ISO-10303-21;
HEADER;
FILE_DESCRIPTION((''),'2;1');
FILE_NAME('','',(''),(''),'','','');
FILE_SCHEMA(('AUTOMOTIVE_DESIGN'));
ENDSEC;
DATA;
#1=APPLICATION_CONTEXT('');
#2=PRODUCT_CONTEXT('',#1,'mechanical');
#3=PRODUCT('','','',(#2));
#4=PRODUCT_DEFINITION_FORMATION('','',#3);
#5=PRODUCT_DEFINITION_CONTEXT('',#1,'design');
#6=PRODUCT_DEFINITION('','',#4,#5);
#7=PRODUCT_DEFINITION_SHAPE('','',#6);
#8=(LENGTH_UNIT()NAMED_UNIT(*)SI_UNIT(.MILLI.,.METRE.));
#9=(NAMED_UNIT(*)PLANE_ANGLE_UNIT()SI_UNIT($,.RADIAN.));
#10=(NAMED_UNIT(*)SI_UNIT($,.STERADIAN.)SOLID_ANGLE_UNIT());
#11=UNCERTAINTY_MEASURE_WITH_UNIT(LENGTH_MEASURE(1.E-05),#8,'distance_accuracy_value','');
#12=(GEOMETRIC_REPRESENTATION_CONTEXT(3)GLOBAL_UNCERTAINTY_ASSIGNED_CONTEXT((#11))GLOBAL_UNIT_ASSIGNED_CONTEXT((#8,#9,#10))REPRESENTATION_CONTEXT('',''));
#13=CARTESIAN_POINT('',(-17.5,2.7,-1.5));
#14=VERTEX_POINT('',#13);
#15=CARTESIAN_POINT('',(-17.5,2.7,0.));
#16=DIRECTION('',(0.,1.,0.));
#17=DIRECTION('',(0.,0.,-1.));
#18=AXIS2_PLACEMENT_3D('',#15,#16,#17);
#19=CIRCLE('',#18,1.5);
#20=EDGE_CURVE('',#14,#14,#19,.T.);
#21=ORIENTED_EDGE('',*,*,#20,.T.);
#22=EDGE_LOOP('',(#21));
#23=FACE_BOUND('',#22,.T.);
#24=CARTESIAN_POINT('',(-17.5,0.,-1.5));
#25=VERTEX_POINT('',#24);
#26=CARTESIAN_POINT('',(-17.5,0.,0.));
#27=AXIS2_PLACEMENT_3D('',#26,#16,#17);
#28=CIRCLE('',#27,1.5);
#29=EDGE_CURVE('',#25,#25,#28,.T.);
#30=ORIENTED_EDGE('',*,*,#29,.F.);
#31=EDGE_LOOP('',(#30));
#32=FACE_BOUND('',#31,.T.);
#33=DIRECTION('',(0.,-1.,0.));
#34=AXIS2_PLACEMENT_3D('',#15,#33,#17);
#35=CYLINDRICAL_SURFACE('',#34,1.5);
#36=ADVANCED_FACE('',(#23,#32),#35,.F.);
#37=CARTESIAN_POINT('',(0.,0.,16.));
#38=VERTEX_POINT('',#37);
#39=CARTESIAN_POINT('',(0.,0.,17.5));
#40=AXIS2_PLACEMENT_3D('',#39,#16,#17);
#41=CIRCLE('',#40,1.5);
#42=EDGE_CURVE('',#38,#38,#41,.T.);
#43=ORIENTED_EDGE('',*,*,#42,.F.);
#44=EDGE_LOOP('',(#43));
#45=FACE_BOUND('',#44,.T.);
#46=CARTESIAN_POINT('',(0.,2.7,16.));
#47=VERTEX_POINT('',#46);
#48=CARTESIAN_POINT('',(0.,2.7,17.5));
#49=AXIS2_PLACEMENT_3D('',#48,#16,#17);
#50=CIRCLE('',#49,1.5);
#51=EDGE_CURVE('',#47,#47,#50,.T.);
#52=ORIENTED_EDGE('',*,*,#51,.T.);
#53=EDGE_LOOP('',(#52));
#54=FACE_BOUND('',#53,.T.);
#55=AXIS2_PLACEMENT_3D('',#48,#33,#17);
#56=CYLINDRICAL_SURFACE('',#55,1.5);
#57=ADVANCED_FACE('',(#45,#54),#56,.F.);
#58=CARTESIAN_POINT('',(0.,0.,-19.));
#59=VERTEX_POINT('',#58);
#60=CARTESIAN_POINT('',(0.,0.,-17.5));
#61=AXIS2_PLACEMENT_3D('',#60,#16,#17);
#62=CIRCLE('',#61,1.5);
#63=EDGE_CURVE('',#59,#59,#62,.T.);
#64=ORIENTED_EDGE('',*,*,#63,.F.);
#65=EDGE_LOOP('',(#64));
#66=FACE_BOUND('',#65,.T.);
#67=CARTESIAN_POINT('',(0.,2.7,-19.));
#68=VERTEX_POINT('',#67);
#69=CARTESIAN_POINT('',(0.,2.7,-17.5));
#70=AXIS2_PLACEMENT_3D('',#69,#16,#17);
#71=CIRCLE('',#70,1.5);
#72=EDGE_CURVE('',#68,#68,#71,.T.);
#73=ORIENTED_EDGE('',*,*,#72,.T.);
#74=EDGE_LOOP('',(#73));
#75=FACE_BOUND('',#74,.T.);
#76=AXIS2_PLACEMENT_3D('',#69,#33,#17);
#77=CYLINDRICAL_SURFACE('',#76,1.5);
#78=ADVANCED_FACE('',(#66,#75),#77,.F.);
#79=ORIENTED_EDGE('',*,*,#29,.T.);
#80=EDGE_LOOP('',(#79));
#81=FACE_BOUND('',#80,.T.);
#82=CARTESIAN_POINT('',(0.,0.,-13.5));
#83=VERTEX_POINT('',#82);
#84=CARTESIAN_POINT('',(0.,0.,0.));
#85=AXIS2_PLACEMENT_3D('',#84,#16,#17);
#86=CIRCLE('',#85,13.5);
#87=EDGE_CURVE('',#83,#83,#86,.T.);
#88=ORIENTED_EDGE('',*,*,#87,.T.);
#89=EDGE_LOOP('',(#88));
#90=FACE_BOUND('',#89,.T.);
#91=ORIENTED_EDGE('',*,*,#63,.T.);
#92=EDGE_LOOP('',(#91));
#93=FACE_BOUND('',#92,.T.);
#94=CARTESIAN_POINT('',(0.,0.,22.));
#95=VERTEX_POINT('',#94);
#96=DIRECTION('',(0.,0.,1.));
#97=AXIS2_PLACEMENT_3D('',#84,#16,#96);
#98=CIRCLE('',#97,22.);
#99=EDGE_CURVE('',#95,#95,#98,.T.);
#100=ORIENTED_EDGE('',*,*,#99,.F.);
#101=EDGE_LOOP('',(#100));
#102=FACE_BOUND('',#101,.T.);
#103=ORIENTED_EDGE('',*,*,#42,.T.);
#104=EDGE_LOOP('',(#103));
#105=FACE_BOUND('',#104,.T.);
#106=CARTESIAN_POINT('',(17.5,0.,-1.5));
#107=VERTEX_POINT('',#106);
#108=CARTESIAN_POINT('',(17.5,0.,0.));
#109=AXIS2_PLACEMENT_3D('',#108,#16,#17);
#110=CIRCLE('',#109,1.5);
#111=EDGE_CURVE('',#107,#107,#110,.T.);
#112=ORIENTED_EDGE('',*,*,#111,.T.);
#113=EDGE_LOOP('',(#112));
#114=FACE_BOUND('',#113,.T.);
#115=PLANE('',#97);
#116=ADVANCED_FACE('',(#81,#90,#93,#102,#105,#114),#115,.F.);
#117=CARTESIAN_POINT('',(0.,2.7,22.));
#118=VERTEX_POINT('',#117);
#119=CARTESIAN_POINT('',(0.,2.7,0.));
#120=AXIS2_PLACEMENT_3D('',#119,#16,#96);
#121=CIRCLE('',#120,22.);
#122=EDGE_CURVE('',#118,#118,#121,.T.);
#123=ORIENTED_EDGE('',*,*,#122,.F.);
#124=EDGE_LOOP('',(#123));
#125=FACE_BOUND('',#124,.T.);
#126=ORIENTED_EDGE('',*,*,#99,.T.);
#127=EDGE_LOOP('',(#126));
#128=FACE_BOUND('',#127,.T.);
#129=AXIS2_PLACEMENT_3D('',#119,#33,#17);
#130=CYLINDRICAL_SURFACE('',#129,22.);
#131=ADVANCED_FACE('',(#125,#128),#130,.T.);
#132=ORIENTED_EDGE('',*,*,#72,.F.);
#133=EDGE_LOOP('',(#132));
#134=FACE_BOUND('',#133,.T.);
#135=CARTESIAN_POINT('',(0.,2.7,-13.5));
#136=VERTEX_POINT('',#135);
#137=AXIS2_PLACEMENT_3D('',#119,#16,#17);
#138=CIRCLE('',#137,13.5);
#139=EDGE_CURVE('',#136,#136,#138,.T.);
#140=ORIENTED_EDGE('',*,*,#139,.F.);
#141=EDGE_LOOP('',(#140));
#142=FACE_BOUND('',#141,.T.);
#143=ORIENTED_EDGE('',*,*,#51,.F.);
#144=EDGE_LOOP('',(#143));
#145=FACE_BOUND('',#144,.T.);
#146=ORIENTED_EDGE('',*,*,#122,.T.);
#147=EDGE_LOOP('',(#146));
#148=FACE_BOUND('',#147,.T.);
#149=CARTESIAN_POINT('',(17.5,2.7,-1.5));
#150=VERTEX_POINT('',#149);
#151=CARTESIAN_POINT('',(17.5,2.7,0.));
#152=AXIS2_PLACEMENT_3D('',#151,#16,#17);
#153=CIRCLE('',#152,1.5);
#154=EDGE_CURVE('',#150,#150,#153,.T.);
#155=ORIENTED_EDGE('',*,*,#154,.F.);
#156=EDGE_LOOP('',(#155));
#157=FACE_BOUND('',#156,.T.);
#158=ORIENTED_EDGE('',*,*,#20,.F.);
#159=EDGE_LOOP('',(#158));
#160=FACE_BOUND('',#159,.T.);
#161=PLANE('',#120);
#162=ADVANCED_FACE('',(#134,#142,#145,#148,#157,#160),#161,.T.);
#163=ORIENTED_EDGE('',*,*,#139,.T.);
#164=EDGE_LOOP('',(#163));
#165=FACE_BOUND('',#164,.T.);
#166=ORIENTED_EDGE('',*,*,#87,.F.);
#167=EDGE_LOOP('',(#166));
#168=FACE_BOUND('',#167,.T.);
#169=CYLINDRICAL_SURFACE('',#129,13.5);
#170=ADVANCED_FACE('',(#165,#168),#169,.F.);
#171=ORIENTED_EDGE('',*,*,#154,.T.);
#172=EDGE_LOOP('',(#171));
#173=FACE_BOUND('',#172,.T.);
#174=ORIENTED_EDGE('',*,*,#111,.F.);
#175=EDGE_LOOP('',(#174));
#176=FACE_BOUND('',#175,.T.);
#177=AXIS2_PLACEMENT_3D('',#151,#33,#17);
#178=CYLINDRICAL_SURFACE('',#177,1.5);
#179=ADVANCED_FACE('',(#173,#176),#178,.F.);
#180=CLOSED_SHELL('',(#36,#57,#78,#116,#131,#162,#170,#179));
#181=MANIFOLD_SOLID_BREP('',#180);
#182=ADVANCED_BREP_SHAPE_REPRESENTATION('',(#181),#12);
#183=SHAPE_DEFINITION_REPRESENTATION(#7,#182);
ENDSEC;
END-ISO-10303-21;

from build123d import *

# Parameters (mm, degrees)
SKETCH_1_R      = 22
SKETCH_1_R_2    = 1.5
SKETCH_1_R_3    = 13.5
EXTRUDE_1_DEPTH = 2.7


with BuildPart() as part:
    # 草图1 → 凸台-拉伸1 (new body)
    with BuildSketch(Plane(origin=(0, 0, 0), x_dir=(1, 0, 0), z_dir=(0, 1, 0))):
        Circle(SKETCH_1_R)
        with Locations((17.5, 0)):
            Circle(SKETCH_1_R_2, mode=Mode.SUBTRACT)
        with Locations((0, -17.5)):
            Circle(SKETCH_1_R_2, mode=Mode.SUBTRACT)
        with Locations((-17.5, 0)):
            Circle(SKETCH_1_R_2, mode=Mode.SUBTRACT)
        with Locations((0, 17.5)):
            Circle(SKETCH_1_R_2, mode=Mode.SUBTRACT)
        Circle(SKETCH_1_R_3, mode=Mode.SUBTRACT)
    extrude(amount=EXTRUDE_1_DEPTH)


solid = part.part
